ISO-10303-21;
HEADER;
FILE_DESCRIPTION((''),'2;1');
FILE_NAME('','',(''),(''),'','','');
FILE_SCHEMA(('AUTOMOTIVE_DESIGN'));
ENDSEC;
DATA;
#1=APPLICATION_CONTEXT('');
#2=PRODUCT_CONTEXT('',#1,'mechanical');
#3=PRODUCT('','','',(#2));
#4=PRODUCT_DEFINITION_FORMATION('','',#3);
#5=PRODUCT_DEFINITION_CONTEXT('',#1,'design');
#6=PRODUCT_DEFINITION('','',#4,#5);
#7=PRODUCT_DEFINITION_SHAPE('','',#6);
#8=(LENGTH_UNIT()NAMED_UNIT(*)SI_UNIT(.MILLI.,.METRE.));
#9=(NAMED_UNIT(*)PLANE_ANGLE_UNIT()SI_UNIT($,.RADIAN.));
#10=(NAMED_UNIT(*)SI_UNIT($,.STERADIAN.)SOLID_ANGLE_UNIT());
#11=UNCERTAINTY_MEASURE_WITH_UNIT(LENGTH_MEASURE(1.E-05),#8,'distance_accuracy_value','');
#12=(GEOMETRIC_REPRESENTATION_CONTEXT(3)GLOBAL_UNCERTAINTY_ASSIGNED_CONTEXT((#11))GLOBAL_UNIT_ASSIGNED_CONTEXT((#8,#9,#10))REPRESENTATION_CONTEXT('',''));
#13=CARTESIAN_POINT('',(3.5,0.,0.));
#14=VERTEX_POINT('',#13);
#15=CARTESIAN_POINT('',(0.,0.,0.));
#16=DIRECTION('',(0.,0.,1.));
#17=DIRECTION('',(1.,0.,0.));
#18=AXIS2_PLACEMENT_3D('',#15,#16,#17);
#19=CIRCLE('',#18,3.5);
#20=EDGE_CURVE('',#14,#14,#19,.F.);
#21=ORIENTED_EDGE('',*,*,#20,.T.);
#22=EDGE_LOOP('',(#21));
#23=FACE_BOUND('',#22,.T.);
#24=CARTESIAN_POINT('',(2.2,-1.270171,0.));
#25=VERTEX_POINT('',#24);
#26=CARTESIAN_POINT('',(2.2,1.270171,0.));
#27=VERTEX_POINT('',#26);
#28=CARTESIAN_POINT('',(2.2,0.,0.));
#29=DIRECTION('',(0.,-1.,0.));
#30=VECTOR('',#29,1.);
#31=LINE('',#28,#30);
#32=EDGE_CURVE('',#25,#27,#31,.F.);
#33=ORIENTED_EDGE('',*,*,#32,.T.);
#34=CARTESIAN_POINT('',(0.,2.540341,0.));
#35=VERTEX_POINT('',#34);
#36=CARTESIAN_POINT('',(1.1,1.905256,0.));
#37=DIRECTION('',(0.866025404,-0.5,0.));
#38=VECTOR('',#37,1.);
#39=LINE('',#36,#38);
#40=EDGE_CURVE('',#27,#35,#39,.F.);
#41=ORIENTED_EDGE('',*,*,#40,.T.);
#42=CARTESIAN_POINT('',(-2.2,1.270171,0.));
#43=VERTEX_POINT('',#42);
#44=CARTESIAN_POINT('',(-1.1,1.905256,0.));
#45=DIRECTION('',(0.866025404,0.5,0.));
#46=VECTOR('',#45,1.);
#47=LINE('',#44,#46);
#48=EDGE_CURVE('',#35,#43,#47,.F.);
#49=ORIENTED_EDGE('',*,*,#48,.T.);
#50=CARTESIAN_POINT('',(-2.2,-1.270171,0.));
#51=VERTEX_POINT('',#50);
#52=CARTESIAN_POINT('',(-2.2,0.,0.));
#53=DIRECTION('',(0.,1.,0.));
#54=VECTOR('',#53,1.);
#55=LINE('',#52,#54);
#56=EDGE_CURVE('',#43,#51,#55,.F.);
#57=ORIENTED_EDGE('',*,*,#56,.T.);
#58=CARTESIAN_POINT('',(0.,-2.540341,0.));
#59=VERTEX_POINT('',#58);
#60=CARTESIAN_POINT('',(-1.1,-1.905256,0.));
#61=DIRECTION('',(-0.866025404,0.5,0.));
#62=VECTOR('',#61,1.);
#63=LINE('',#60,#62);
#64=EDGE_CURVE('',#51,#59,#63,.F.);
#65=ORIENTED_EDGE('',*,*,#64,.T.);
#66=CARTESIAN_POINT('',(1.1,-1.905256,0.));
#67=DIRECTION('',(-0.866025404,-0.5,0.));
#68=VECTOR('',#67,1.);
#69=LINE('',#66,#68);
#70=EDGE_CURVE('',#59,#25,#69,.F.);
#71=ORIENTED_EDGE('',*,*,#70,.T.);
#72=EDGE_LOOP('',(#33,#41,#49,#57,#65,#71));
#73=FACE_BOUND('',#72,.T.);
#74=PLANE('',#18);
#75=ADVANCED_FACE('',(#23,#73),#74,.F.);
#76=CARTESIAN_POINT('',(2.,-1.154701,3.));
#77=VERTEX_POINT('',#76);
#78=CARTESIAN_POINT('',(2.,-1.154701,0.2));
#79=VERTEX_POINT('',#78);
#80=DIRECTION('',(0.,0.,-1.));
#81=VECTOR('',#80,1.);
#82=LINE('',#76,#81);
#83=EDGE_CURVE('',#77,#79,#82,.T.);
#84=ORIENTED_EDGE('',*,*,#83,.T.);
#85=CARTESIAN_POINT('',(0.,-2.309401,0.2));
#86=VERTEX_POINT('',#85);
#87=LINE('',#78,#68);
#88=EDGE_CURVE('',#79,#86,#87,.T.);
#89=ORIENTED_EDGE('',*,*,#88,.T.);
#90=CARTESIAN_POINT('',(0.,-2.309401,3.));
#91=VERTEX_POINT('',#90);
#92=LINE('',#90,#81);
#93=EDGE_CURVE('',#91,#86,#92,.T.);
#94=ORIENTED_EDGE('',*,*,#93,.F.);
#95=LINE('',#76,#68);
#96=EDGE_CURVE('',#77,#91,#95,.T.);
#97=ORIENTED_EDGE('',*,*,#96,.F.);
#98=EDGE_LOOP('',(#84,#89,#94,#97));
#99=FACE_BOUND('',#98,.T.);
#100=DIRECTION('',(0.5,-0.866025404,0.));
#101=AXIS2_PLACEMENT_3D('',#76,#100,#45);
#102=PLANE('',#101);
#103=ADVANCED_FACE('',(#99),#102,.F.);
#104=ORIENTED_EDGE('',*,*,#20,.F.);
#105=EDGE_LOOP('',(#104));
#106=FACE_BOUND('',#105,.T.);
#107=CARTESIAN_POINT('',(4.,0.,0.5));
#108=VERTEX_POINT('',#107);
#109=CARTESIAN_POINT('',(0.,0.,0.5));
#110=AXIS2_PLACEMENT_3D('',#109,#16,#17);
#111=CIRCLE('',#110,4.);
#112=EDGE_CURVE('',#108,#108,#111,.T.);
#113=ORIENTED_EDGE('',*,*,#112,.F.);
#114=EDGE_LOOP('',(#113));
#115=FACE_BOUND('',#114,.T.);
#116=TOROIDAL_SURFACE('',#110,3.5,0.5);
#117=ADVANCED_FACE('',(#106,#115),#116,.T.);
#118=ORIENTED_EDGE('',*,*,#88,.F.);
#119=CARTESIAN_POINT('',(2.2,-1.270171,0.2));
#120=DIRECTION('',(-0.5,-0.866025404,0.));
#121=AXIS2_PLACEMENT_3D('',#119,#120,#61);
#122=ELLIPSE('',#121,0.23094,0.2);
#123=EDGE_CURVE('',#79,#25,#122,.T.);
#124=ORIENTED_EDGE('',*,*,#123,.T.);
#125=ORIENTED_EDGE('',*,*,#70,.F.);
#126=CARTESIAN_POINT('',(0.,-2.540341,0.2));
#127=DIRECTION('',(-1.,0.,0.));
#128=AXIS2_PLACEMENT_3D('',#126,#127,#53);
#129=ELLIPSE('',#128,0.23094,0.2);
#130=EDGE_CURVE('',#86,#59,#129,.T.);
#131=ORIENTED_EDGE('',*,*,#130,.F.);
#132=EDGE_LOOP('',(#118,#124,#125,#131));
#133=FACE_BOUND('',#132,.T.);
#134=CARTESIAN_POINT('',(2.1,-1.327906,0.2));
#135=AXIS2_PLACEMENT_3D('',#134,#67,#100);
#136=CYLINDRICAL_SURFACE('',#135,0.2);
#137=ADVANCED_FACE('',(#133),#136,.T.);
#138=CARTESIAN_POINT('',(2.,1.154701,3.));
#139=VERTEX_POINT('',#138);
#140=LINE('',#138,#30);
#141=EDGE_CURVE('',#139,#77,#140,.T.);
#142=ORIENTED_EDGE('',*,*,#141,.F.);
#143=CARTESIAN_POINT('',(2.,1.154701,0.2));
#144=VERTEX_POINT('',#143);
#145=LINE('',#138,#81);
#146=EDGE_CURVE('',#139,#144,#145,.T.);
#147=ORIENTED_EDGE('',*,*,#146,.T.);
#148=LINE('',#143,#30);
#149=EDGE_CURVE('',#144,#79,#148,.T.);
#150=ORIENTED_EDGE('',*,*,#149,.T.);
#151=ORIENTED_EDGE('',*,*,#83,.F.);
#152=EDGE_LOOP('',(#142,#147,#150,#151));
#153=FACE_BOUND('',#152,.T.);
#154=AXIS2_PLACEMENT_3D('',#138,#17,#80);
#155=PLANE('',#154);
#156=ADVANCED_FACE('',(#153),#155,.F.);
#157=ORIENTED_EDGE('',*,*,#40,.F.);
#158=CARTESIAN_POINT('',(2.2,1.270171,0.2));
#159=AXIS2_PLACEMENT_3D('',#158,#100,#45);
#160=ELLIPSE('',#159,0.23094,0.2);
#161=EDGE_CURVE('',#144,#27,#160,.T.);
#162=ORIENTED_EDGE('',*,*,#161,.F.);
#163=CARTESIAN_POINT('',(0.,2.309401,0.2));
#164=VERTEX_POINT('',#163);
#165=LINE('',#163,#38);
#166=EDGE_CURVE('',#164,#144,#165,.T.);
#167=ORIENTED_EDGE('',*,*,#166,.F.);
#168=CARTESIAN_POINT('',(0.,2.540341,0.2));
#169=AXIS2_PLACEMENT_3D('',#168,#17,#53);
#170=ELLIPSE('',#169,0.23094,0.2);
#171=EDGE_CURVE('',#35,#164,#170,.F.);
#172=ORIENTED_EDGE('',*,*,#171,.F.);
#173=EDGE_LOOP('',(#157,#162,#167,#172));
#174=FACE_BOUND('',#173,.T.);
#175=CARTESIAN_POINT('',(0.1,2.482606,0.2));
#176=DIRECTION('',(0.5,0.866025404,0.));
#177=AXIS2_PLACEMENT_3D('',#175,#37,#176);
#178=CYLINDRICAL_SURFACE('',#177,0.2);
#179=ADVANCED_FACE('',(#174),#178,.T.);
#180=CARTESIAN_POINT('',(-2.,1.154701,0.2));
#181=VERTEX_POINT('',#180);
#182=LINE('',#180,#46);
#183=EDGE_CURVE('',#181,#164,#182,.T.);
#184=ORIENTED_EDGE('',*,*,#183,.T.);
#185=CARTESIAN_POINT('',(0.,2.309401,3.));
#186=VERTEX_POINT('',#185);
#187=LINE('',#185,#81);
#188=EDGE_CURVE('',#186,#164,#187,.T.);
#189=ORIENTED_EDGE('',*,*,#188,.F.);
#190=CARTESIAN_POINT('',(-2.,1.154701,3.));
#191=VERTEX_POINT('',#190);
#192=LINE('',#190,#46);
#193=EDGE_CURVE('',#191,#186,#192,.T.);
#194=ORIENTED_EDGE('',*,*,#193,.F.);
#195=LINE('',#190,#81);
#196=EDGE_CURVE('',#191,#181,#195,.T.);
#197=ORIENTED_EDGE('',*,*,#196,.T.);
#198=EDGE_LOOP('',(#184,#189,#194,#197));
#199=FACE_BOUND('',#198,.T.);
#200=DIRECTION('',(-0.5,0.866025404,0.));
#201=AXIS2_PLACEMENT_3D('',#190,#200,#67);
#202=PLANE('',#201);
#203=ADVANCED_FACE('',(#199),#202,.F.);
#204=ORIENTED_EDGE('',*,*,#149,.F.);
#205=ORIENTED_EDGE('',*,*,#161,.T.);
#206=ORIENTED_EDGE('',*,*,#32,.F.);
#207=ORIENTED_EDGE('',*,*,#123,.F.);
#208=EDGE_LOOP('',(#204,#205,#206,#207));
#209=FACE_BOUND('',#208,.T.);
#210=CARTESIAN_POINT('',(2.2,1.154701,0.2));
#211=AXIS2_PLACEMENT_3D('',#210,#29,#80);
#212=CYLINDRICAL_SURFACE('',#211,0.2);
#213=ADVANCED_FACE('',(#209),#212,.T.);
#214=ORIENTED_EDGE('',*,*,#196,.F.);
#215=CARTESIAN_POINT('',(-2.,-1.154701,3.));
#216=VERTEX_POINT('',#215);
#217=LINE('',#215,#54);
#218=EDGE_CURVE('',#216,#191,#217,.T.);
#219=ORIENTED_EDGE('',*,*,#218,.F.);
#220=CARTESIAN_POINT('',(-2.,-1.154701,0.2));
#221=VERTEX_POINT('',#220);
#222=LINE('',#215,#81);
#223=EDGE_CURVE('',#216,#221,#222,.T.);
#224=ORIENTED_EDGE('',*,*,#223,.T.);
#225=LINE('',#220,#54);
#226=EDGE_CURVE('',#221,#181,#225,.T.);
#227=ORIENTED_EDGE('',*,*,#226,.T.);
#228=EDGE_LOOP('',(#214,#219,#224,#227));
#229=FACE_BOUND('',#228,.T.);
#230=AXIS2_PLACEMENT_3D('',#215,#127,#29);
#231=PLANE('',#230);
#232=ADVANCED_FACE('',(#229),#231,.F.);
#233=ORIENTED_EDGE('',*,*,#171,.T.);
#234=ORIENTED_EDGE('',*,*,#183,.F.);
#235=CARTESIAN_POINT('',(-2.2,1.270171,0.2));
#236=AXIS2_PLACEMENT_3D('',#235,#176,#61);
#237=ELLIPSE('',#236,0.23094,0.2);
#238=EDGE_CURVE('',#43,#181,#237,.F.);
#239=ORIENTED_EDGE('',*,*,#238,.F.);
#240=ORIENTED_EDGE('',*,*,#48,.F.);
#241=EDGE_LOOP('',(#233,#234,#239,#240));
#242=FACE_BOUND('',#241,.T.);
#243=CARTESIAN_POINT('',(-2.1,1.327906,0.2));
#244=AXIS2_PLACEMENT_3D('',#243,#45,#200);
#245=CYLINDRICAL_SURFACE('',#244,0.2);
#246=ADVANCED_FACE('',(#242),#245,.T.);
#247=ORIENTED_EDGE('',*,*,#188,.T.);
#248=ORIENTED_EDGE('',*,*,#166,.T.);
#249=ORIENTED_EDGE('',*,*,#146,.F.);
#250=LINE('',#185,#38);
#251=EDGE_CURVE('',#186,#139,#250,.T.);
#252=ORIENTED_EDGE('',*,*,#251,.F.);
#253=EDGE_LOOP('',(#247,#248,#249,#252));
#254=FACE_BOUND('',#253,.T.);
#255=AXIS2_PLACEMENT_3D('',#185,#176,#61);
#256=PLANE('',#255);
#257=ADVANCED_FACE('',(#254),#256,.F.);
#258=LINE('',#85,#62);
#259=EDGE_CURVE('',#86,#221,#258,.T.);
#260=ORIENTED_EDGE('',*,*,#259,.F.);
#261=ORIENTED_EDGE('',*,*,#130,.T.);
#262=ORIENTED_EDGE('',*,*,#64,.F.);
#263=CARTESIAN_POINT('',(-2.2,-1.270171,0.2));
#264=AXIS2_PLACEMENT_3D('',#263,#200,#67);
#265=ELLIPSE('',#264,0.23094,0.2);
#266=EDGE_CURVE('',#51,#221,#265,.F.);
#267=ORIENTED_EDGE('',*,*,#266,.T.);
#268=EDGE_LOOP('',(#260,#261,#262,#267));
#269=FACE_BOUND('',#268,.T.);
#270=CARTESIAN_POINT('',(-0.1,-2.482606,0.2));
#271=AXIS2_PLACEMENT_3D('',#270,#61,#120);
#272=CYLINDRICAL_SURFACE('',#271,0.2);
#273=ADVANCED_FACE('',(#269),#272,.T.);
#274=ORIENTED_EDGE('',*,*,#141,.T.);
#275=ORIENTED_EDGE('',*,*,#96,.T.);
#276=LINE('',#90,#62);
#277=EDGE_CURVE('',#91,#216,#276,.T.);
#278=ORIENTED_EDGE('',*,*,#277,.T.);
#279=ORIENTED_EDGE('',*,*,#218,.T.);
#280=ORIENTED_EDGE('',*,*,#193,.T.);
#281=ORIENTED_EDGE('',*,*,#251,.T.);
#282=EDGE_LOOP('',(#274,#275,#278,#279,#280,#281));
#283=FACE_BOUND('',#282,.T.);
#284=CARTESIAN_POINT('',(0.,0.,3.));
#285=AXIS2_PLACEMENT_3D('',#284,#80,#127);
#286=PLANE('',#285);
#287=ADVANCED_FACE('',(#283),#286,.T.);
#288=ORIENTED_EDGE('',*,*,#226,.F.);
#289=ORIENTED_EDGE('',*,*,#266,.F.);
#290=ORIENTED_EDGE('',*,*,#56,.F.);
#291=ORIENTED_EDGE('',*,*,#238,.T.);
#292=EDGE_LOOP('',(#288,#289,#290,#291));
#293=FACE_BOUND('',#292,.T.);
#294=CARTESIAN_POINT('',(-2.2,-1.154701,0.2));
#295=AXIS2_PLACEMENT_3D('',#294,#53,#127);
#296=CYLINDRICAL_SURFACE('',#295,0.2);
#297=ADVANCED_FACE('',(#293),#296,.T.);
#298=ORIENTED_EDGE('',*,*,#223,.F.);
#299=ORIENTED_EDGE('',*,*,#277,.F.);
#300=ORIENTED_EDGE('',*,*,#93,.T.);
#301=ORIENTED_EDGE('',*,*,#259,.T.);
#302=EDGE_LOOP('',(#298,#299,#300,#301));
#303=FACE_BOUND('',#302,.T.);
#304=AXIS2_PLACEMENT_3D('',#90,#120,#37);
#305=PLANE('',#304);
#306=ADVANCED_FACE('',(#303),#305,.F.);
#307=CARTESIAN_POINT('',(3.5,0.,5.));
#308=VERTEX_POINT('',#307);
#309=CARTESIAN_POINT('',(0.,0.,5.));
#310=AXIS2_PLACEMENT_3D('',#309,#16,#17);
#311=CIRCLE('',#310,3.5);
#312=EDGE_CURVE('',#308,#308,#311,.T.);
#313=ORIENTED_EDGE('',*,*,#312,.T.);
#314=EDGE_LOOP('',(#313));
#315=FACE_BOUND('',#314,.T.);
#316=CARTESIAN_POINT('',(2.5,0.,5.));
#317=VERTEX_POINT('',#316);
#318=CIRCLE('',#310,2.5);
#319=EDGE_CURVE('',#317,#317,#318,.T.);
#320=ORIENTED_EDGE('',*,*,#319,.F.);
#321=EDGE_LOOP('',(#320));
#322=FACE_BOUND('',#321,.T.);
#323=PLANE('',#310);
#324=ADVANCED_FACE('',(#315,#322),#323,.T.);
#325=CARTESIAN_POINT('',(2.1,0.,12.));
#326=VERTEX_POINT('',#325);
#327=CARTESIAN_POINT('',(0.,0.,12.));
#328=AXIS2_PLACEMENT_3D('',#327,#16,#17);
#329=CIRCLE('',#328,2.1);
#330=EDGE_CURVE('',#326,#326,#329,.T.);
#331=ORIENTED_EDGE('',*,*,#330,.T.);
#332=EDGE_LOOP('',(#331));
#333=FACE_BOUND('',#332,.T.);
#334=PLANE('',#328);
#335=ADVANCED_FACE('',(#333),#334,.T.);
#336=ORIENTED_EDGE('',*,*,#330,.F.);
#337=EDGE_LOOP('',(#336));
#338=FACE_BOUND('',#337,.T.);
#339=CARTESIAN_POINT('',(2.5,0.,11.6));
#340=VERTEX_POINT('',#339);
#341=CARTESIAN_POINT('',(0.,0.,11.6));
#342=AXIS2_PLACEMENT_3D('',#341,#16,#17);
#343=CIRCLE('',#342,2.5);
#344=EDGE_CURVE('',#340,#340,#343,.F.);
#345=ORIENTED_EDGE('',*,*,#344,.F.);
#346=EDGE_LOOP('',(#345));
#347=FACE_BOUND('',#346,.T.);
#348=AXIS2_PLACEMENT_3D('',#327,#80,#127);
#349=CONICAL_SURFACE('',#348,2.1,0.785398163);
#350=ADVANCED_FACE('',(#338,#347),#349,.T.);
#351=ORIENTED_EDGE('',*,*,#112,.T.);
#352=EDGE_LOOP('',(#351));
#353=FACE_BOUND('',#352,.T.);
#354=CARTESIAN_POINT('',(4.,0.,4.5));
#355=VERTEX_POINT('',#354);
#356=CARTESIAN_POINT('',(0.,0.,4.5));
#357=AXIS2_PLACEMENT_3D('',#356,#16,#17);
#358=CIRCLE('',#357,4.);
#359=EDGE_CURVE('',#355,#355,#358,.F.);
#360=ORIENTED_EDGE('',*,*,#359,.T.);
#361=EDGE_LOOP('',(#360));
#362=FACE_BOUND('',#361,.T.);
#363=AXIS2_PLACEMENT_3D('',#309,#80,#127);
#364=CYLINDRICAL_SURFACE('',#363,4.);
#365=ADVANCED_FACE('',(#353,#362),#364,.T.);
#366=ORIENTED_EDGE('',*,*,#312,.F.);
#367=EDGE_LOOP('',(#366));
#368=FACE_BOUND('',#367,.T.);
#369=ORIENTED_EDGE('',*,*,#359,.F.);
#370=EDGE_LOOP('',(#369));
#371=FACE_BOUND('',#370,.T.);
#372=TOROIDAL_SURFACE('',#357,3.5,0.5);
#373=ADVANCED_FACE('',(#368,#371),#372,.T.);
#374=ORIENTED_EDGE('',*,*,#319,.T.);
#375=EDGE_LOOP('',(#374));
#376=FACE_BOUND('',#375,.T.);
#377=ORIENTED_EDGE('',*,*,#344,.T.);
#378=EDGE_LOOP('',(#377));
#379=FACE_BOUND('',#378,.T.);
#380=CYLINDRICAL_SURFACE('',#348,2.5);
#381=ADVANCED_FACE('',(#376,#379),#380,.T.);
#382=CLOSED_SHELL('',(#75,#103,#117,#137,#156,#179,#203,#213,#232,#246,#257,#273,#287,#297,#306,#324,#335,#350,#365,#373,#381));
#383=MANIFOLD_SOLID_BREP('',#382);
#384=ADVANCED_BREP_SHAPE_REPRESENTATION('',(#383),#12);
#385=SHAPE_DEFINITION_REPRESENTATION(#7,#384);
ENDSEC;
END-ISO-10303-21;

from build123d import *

# Parameters (mm, degrees)
ESBO_O1_R                = 4
RESSALTO_EXTRUS_O1_DEPTH = 5
ESBO_O2_R                = 2.5
RESSALTO_EXTRUS_O2_DEPTH = 7
CORTE_EXTRUS_O1_DEPTH    = 3
FILETE1_R                = 0.5
FILETE2_R                = 0.2
CHANFRO2_SIZE            = 0.4


with BuildPart() as part:
    # Esboço1 → Ressalto-extrusão1 (new body)
    with BuildSketch(Plane.XY):
        Circle(ESBO_O1_R)
    extrude(amount=RESSALTO_EXTRUS_O1_DEPTH)

    # Esboço2 → Ressalto-extrusão2 (add)
    with BuildSketch(Plane.XY.offset(5)):
        Circle(ESBO_O2_R)
    extrude(amount=RESSALTO_EXTRUS_O2_DEPTH)

    # Esboço3 → Corte-extrusão1 (cut)
    with BuildSketch(Plane(origin=(0, 0, 0), x_dir=(-1, 0, 0), z_dir=(0, 0, -1))):
        Polygon((0, 2.309401077), (-2, 1.154700538), (-2, -1.154700538), (0, -2.309401077), (2, -1.154700538), (2, 1.154700538), align=None)
    extrude(amount=-CORTE_EXTRUS_O1_DEPTH, mode=Mode.SUBTRACT)

    # Filete1
    filete1_edges = [part.edges().sort_by_distance(p)[0] for p in [
        (-4, 0, 0),
        (-4, 0, 5),
    ]]
    fillet(filete1_edges, radius=FILETE1_R)

    # Filete2
    filete2_edges = [part.edges().sort_by_distance(p)[0] for p in [
        (-1, 1.732050808, 0),
        (1, 1.732050808, 0),
        (2, 0, 0),
        (1, -1.732050808, 0),
        (-1, -1.732050808, 0),
        (-2, 0, 0),
    ]]
    fillet(filete2_edges, radius=FILETE2_R)

    # Chanfro2
    chanfro2_edges = [part.edges().sort_by_distance(p)[0] for p in [
        (-2.5, 0, 12),
    ]]
    chamfer(chanfro2_edges, length=CHANFRO2_SIZE)


solid = part.part
